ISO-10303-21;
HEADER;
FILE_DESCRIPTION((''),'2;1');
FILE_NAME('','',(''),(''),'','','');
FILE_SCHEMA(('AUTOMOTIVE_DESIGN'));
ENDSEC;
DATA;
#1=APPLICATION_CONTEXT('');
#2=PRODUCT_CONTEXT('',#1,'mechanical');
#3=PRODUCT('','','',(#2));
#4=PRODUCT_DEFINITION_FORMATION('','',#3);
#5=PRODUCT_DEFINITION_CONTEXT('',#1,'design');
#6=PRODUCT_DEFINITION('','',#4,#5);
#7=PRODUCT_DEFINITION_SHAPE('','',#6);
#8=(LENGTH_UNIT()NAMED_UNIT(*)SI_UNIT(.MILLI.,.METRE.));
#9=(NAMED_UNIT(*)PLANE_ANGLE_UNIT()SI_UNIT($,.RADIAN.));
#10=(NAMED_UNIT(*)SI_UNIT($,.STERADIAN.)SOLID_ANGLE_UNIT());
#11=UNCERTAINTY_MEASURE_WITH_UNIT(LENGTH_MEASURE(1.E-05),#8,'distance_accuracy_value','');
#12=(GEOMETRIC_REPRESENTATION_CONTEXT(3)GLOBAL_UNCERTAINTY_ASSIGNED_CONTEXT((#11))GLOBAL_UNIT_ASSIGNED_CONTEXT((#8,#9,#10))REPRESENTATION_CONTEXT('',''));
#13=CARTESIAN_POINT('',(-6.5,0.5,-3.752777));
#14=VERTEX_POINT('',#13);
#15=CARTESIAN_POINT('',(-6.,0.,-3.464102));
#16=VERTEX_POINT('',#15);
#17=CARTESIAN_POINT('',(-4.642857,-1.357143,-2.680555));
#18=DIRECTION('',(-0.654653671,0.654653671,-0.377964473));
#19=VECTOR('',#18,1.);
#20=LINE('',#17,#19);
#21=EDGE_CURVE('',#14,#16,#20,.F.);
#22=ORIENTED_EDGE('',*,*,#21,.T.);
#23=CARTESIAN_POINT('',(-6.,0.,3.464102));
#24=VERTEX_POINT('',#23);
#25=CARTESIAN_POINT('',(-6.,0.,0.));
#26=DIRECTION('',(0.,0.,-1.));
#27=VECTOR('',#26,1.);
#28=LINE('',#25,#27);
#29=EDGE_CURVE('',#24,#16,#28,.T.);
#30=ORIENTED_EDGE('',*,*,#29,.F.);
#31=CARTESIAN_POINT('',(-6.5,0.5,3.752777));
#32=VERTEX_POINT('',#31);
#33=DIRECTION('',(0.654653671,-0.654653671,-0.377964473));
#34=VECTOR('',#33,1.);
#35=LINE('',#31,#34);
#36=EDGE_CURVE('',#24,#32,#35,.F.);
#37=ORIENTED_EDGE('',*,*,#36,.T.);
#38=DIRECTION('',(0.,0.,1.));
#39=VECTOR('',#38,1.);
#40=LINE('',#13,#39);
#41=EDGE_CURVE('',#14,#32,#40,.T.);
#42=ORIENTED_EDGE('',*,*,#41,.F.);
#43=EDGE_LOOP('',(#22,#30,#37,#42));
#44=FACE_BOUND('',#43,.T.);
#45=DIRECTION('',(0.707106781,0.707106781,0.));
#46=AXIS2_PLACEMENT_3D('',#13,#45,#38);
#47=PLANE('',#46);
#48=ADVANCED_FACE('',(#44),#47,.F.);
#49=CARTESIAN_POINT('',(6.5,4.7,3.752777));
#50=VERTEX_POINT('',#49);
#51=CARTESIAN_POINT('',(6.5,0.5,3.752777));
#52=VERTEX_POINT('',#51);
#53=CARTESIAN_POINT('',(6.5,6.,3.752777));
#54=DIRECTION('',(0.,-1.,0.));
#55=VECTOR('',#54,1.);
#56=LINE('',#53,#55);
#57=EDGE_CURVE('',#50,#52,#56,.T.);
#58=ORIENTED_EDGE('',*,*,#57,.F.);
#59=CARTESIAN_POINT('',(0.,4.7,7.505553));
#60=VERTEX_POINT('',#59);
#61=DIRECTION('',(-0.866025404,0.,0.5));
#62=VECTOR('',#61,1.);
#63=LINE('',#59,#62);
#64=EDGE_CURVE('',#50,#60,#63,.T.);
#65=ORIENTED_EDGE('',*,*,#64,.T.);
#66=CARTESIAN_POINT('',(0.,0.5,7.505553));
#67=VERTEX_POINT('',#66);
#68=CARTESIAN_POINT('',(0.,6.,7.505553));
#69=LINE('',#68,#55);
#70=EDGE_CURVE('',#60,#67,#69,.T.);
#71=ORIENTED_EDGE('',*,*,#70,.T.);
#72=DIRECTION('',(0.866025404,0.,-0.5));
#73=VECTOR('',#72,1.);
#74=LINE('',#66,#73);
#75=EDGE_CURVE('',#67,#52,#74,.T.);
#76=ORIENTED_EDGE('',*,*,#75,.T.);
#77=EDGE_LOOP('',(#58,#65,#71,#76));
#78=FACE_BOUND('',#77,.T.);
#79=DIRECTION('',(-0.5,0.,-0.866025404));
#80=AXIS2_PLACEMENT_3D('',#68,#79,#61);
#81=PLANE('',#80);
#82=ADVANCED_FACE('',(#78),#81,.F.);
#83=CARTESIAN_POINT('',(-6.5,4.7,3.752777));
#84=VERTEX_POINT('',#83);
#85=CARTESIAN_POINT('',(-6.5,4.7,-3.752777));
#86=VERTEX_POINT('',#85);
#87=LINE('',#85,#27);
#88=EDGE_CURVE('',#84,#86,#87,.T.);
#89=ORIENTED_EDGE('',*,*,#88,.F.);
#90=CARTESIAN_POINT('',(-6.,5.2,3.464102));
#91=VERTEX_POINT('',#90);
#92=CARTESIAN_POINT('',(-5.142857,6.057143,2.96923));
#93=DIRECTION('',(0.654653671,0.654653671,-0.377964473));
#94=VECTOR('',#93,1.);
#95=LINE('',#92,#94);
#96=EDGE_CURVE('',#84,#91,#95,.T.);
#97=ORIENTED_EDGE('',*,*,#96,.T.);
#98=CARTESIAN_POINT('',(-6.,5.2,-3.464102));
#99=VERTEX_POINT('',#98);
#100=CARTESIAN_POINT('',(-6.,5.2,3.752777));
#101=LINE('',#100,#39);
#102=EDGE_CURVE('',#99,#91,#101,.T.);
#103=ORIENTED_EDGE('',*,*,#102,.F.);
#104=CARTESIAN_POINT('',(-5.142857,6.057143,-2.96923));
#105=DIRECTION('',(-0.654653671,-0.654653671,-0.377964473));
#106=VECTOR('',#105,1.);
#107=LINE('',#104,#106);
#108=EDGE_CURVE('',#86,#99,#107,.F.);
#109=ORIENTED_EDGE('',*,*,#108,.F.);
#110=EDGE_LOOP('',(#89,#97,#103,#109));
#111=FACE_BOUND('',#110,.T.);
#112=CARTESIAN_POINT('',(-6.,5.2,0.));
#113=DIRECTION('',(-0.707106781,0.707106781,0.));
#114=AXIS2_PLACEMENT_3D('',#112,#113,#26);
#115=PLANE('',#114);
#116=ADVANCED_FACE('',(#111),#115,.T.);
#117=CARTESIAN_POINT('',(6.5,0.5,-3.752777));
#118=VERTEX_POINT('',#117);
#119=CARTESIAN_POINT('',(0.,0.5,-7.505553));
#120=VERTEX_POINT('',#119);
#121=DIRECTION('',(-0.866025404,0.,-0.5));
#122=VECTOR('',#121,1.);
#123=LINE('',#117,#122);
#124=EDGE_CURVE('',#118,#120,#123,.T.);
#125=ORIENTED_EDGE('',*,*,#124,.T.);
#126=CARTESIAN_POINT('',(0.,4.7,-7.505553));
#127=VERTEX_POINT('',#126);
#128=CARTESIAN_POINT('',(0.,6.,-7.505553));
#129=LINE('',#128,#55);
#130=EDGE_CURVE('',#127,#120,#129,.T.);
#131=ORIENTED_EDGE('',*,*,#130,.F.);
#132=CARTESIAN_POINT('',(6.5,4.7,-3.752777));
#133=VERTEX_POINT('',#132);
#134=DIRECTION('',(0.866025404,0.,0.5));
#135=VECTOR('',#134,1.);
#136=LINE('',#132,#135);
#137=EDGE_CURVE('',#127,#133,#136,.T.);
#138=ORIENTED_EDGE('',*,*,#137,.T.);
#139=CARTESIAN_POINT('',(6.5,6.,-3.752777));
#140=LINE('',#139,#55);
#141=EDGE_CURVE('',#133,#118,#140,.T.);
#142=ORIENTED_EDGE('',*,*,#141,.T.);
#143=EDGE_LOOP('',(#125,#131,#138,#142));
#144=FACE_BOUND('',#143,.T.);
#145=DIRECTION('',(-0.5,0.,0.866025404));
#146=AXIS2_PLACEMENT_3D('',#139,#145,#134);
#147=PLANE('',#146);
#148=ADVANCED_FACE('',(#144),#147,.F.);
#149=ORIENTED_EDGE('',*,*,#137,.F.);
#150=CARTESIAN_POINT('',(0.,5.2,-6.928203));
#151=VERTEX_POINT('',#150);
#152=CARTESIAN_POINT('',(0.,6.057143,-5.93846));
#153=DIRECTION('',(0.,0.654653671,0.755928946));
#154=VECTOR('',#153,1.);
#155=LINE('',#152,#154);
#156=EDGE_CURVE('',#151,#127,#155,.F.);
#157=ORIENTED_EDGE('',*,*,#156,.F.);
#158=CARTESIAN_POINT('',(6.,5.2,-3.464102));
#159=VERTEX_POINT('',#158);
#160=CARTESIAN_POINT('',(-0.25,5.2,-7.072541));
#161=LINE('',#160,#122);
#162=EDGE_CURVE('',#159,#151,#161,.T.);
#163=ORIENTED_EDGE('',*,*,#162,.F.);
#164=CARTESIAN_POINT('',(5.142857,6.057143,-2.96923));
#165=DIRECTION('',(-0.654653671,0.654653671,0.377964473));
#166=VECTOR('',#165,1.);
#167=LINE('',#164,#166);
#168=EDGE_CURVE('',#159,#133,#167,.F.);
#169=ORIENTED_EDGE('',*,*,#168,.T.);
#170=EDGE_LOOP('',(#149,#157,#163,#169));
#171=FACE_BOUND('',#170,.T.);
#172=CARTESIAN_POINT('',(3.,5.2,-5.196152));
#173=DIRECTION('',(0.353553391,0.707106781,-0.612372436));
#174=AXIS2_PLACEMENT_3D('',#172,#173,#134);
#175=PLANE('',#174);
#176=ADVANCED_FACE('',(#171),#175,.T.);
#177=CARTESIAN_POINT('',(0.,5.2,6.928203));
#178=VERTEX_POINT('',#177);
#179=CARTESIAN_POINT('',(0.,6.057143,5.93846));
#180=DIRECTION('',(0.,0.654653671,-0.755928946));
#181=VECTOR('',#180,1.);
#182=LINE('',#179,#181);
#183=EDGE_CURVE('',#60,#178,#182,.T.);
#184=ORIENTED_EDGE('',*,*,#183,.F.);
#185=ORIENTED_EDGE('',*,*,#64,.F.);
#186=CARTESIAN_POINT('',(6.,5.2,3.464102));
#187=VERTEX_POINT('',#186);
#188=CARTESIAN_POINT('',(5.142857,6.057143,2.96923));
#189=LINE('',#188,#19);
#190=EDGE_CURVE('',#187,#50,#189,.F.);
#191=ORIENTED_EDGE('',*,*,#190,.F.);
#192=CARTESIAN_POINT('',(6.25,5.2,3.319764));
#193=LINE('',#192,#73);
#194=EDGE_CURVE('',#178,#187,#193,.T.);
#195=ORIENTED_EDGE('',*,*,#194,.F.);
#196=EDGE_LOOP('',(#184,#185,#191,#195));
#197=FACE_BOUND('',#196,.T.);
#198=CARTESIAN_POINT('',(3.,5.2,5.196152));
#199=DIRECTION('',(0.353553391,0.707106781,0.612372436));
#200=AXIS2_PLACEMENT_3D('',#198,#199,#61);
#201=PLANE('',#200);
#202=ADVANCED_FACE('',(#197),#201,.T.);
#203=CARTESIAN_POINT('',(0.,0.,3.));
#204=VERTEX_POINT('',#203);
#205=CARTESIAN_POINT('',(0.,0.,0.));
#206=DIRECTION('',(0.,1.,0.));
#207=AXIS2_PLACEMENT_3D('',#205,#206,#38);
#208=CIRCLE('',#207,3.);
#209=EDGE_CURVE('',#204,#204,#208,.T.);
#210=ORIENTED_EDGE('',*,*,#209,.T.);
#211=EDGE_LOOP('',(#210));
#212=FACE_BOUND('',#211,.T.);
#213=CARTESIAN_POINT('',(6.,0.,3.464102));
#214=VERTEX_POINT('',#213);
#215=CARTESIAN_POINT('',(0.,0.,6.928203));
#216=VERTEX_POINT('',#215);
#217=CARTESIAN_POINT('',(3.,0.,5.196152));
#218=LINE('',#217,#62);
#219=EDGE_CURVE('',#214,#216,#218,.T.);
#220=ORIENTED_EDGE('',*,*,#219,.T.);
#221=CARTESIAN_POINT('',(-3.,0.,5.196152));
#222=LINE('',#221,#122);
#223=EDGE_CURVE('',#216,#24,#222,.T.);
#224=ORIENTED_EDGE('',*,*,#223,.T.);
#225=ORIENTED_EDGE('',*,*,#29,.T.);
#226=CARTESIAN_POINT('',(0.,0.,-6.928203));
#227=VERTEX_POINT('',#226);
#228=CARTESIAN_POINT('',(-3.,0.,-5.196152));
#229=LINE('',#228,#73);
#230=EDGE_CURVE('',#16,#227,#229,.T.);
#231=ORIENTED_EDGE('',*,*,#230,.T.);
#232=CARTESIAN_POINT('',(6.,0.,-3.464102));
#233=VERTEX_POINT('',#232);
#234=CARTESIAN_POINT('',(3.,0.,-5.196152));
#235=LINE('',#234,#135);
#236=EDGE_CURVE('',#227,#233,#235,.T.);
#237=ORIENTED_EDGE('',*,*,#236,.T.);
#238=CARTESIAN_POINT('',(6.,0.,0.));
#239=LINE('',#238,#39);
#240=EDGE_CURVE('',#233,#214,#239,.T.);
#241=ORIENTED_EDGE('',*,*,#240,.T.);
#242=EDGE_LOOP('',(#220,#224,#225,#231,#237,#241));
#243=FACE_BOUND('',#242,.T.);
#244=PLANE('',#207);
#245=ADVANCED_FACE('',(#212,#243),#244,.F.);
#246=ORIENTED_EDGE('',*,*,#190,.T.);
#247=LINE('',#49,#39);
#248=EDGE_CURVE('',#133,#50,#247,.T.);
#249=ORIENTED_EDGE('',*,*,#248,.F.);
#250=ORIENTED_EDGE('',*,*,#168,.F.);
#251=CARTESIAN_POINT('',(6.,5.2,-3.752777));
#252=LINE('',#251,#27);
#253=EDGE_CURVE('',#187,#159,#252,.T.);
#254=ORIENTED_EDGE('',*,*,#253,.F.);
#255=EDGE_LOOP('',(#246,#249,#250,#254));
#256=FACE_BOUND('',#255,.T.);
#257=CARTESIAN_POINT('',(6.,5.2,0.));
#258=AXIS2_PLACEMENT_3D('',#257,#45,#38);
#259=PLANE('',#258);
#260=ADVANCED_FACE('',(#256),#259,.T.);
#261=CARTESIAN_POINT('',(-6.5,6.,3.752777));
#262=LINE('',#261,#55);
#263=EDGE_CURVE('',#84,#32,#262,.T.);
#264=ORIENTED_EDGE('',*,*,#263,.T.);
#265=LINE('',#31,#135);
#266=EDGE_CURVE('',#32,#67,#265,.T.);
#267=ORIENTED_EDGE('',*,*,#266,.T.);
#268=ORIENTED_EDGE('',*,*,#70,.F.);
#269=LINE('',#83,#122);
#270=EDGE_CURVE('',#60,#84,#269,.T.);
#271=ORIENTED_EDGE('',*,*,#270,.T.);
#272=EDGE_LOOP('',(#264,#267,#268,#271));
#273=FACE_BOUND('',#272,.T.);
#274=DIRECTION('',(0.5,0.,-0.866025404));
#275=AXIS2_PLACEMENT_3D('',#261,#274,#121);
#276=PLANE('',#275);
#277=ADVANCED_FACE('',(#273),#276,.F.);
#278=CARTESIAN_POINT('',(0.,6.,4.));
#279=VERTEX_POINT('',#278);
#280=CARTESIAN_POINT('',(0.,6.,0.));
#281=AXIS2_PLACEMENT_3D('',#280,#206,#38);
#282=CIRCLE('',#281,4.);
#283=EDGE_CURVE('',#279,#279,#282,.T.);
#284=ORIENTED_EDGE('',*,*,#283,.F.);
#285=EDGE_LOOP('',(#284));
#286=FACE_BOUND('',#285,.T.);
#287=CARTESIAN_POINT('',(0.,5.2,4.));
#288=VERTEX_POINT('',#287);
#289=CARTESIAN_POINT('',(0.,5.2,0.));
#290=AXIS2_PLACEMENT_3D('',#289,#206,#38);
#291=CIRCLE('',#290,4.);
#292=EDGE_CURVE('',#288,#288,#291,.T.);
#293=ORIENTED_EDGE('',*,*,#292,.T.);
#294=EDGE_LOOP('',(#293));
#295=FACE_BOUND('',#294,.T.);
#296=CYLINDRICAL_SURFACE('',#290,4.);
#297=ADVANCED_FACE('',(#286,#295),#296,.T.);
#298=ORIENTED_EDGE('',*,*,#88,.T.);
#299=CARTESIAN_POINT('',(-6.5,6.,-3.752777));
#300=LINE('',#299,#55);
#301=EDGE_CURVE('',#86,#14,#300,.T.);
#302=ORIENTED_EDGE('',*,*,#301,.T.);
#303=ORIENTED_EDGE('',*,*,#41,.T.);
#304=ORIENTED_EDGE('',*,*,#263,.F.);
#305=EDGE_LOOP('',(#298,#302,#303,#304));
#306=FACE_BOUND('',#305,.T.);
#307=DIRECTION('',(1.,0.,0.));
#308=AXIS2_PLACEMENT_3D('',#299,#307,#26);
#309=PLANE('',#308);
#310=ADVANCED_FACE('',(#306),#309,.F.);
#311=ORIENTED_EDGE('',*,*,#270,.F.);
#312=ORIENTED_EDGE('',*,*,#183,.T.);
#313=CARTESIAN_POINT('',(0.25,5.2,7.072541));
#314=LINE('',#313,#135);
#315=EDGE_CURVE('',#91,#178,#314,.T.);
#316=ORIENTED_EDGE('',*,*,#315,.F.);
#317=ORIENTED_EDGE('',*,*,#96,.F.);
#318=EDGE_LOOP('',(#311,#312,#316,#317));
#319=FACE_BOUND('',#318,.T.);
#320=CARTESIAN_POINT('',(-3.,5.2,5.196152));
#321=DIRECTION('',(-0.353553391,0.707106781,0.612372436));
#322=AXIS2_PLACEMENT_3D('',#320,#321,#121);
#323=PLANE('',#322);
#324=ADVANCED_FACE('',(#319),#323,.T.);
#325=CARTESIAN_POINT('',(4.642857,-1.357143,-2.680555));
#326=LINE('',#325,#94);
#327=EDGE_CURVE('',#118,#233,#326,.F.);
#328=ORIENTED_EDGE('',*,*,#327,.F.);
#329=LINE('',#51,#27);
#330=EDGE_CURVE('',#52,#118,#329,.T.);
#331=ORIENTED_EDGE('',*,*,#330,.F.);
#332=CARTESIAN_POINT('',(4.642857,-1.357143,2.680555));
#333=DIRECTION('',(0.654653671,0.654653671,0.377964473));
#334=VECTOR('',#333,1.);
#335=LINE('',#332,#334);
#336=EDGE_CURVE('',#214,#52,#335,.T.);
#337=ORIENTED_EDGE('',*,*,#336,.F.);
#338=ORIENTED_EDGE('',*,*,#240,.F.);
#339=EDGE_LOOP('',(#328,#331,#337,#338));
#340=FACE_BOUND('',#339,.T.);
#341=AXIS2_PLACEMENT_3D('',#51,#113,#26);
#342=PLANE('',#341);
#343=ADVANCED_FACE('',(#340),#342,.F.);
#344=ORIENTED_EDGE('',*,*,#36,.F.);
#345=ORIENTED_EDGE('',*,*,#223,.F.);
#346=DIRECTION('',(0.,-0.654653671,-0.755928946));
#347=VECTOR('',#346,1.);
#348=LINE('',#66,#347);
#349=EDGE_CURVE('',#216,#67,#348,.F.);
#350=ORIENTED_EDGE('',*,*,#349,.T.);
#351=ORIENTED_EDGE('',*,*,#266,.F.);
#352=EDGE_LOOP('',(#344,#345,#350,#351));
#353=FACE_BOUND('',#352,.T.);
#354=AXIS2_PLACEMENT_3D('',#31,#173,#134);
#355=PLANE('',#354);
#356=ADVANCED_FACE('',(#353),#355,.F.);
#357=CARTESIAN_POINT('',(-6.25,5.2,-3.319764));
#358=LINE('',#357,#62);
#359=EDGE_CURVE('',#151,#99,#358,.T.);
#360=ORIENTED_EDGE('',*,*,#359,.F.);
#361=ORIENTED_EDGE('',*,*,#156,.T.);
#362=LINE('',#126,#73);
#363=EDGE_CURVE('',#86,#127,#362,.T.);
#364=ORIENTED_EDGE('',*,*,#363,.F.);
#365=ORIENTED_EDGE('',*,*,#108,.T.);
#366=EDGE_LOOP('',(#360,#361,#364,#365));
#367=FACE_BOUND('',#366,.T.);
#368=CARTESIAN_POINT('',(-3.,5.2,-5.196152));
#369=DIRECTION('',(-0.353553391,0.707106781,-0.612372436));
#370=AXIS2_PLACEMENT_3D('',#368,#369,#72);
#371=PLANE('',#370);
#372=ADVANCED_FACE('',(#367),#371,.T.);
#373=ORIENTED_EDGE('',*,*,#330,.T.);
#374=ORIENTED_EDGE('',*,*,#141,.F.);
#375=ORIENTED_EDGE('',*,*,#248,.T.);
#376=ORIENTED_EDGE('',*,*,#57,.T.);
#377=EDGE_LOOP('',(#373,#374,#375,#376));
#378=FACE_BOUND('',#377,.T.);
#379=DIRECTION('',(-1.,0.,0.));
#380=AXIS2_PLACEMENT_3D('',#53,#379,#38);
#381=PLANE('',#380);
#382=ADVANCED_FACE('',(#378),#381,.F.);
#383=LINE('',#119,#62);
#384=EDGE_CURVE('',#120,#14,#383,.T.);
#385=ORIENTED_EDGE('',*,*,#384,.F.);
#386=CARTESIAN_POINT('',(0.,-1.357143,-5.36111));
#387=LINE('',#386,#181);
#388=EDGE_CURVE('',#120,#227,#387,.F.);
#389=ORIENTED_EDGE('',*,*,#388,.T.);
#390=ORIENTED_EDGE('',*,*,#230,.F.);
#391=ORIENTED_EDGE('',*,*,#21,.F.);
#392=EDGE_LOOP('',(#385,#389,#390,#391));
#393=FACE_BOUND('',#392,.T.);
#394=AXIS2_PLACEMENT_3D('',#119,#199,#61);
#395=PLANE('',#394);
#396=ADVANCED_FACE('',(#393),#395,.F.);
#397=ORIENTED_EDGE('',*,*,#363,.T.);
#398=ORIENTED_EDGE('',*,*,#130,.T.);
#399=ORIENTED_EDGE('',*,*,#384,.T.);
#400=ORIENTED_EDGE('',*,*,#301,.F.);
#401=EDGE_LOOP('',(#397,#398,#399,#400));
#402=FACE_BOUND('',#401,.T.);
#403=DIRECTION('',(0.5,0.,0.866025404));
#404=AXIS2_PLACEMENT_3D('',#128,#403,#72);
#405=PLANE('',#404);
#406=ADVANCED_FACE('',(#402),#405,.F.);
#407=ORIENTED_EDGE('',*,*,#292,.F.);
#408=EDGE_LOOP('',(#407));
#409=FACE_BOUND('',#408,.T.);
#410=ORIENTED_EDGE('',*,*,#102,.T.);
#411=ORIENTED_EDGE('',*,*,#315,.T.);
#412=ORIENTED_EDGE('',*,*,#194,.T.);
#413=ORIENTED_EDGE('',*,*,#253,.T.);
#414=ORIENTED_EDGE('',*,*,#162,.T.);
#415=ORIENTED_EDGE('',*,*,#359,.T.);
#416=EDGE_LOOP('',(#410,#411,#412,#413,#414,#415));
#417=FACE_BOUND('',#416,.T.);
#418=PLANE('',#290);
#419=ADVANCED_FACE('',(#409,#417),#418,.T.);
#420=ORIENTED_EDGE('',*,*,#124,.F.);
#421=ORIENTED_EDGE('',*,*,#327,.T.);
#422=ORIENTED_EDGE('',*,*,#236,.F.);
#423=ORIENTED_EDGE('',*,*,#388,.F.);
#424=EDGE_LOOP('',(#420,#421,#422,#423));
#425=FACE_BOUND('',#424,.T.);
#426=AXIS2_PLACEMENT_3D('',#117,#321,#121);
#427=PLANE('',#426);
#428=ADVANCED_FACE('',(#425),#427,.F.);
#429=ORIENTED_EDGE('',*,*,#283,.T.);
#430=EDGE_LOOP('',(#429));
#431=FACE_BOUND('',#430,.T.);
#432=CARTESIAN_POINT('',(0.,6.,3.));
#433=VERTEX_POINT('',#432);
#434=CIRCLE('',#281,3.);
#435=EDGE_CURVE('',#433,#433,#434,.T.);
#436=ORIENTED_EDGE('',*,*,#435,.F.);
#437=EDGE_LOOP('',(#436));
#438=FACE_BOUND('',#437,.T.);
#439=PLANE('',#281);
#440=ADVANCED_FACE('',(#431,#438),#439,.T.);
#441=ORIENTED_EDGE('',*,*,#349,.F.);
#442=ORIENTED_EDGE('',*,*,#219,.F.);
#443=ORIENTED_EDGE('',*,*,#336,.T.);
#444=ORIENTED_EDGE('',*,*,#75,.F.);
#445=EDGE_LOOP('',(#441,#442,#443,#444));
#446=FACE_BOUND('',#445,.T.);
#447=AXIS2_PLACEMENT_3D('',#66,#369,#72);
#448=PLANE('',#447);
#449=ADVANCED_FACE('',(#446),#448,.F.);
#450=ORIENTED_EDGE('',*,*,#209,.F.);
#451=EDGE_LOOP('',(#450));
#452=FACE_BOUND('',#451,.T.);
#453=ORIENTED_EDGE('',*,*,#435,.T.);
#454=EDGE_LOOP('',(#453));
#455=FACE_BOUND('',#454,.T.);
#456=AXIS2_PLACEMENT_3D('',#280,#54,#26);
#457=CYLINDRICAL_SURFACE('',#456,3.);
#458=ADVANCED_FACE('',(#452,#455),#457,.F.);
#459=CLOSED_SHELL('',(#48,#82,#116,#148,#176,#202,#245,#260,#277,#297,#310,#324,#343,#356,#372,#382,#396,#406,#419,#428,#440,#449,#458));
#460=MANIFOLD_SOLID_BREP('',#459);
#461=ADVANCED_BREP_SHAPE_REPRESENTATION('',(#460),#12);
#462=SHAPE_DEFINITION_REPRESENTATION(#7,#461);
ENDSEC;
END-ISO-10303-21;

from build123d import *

# Parameters (mm, degrees)
SKETCH1_R           = 3
BOSS_EXTRUDE1_DEPTH = 6
SKETCH3_R           = 4
CUT_EXTRUDE1_DEPTH  = 0.8
CHAMFER1_SIZE       = 0.5


with BuildPart() as part:
    # Sketch1 → Boss-Extrude1 (new body)
    with BuildSketch(Plane(origin=(0, 0, 0), x_dir=(1, 0, 0), z_dir=(0, 1, 0))):
        Polygon((0, -7.505553499), (6.5, -3.75277675), (6.5, 3.75277675), (0, 7.505553499), (-6.5, 3.75277675), (-6.5, -3.75277675), align=None)
        with Locations(Location((0, 0, 0), (0, 0, 270))):
            Circle(SKETCH1_R, mode=Mode.SUBTRACT)
    extrude(amount=BOSS_EXTRUDE1_DEPTH)

    # Sketch3 → Cut-Extrude1 (cut)
    with BuildSketch(Plane(origin=(0, 6, 0), x_dir=(1, 0, 0), z_dir=(0, 1, 0))):
        Polygon((-6.5, -3.75277675), (0, -7.505553499), (6.5, -3.75277675), (6.5, 3.75277675), (0, 7.505553499), (-6.5, 3.75277675), align=None)
        with Locations(Location((0, 0, 0), (0, 0, 270))):
            Circle(SKETCH3_R, mode=Mode.SUBTRACT)
    extrude(amount=-CUT_EXTRUDE1_DEPTH, mode=Mode.SUBTRACT)

    # Chamfer1
    chamfer1_edges = [part.edges().sort_by_distance(p)[0] for p in [
        (-6.5, 5.2, 0),
        (-3.25, 5.2, -5.629165125),
        (3.25, 5.2, -5.629165125),
        (6.5, 5.2, 0),
        (3.25, 5.2, 5.629165125),
        (-3.25, 5.2, 5.629165125),
        (-6.5, 0, 0),
        (-3.25, 0, -5.629165125),
        (3.25, 0, -5.629165125),
        (6.5, 0, 0),
        (3.25, 0, 5.629165125),
        (-3.25, 0, 5.629165125),
    ]]
    chamfer(chamfer1_edges, length=CHAMFER1_SIZE)


solid = part.part
